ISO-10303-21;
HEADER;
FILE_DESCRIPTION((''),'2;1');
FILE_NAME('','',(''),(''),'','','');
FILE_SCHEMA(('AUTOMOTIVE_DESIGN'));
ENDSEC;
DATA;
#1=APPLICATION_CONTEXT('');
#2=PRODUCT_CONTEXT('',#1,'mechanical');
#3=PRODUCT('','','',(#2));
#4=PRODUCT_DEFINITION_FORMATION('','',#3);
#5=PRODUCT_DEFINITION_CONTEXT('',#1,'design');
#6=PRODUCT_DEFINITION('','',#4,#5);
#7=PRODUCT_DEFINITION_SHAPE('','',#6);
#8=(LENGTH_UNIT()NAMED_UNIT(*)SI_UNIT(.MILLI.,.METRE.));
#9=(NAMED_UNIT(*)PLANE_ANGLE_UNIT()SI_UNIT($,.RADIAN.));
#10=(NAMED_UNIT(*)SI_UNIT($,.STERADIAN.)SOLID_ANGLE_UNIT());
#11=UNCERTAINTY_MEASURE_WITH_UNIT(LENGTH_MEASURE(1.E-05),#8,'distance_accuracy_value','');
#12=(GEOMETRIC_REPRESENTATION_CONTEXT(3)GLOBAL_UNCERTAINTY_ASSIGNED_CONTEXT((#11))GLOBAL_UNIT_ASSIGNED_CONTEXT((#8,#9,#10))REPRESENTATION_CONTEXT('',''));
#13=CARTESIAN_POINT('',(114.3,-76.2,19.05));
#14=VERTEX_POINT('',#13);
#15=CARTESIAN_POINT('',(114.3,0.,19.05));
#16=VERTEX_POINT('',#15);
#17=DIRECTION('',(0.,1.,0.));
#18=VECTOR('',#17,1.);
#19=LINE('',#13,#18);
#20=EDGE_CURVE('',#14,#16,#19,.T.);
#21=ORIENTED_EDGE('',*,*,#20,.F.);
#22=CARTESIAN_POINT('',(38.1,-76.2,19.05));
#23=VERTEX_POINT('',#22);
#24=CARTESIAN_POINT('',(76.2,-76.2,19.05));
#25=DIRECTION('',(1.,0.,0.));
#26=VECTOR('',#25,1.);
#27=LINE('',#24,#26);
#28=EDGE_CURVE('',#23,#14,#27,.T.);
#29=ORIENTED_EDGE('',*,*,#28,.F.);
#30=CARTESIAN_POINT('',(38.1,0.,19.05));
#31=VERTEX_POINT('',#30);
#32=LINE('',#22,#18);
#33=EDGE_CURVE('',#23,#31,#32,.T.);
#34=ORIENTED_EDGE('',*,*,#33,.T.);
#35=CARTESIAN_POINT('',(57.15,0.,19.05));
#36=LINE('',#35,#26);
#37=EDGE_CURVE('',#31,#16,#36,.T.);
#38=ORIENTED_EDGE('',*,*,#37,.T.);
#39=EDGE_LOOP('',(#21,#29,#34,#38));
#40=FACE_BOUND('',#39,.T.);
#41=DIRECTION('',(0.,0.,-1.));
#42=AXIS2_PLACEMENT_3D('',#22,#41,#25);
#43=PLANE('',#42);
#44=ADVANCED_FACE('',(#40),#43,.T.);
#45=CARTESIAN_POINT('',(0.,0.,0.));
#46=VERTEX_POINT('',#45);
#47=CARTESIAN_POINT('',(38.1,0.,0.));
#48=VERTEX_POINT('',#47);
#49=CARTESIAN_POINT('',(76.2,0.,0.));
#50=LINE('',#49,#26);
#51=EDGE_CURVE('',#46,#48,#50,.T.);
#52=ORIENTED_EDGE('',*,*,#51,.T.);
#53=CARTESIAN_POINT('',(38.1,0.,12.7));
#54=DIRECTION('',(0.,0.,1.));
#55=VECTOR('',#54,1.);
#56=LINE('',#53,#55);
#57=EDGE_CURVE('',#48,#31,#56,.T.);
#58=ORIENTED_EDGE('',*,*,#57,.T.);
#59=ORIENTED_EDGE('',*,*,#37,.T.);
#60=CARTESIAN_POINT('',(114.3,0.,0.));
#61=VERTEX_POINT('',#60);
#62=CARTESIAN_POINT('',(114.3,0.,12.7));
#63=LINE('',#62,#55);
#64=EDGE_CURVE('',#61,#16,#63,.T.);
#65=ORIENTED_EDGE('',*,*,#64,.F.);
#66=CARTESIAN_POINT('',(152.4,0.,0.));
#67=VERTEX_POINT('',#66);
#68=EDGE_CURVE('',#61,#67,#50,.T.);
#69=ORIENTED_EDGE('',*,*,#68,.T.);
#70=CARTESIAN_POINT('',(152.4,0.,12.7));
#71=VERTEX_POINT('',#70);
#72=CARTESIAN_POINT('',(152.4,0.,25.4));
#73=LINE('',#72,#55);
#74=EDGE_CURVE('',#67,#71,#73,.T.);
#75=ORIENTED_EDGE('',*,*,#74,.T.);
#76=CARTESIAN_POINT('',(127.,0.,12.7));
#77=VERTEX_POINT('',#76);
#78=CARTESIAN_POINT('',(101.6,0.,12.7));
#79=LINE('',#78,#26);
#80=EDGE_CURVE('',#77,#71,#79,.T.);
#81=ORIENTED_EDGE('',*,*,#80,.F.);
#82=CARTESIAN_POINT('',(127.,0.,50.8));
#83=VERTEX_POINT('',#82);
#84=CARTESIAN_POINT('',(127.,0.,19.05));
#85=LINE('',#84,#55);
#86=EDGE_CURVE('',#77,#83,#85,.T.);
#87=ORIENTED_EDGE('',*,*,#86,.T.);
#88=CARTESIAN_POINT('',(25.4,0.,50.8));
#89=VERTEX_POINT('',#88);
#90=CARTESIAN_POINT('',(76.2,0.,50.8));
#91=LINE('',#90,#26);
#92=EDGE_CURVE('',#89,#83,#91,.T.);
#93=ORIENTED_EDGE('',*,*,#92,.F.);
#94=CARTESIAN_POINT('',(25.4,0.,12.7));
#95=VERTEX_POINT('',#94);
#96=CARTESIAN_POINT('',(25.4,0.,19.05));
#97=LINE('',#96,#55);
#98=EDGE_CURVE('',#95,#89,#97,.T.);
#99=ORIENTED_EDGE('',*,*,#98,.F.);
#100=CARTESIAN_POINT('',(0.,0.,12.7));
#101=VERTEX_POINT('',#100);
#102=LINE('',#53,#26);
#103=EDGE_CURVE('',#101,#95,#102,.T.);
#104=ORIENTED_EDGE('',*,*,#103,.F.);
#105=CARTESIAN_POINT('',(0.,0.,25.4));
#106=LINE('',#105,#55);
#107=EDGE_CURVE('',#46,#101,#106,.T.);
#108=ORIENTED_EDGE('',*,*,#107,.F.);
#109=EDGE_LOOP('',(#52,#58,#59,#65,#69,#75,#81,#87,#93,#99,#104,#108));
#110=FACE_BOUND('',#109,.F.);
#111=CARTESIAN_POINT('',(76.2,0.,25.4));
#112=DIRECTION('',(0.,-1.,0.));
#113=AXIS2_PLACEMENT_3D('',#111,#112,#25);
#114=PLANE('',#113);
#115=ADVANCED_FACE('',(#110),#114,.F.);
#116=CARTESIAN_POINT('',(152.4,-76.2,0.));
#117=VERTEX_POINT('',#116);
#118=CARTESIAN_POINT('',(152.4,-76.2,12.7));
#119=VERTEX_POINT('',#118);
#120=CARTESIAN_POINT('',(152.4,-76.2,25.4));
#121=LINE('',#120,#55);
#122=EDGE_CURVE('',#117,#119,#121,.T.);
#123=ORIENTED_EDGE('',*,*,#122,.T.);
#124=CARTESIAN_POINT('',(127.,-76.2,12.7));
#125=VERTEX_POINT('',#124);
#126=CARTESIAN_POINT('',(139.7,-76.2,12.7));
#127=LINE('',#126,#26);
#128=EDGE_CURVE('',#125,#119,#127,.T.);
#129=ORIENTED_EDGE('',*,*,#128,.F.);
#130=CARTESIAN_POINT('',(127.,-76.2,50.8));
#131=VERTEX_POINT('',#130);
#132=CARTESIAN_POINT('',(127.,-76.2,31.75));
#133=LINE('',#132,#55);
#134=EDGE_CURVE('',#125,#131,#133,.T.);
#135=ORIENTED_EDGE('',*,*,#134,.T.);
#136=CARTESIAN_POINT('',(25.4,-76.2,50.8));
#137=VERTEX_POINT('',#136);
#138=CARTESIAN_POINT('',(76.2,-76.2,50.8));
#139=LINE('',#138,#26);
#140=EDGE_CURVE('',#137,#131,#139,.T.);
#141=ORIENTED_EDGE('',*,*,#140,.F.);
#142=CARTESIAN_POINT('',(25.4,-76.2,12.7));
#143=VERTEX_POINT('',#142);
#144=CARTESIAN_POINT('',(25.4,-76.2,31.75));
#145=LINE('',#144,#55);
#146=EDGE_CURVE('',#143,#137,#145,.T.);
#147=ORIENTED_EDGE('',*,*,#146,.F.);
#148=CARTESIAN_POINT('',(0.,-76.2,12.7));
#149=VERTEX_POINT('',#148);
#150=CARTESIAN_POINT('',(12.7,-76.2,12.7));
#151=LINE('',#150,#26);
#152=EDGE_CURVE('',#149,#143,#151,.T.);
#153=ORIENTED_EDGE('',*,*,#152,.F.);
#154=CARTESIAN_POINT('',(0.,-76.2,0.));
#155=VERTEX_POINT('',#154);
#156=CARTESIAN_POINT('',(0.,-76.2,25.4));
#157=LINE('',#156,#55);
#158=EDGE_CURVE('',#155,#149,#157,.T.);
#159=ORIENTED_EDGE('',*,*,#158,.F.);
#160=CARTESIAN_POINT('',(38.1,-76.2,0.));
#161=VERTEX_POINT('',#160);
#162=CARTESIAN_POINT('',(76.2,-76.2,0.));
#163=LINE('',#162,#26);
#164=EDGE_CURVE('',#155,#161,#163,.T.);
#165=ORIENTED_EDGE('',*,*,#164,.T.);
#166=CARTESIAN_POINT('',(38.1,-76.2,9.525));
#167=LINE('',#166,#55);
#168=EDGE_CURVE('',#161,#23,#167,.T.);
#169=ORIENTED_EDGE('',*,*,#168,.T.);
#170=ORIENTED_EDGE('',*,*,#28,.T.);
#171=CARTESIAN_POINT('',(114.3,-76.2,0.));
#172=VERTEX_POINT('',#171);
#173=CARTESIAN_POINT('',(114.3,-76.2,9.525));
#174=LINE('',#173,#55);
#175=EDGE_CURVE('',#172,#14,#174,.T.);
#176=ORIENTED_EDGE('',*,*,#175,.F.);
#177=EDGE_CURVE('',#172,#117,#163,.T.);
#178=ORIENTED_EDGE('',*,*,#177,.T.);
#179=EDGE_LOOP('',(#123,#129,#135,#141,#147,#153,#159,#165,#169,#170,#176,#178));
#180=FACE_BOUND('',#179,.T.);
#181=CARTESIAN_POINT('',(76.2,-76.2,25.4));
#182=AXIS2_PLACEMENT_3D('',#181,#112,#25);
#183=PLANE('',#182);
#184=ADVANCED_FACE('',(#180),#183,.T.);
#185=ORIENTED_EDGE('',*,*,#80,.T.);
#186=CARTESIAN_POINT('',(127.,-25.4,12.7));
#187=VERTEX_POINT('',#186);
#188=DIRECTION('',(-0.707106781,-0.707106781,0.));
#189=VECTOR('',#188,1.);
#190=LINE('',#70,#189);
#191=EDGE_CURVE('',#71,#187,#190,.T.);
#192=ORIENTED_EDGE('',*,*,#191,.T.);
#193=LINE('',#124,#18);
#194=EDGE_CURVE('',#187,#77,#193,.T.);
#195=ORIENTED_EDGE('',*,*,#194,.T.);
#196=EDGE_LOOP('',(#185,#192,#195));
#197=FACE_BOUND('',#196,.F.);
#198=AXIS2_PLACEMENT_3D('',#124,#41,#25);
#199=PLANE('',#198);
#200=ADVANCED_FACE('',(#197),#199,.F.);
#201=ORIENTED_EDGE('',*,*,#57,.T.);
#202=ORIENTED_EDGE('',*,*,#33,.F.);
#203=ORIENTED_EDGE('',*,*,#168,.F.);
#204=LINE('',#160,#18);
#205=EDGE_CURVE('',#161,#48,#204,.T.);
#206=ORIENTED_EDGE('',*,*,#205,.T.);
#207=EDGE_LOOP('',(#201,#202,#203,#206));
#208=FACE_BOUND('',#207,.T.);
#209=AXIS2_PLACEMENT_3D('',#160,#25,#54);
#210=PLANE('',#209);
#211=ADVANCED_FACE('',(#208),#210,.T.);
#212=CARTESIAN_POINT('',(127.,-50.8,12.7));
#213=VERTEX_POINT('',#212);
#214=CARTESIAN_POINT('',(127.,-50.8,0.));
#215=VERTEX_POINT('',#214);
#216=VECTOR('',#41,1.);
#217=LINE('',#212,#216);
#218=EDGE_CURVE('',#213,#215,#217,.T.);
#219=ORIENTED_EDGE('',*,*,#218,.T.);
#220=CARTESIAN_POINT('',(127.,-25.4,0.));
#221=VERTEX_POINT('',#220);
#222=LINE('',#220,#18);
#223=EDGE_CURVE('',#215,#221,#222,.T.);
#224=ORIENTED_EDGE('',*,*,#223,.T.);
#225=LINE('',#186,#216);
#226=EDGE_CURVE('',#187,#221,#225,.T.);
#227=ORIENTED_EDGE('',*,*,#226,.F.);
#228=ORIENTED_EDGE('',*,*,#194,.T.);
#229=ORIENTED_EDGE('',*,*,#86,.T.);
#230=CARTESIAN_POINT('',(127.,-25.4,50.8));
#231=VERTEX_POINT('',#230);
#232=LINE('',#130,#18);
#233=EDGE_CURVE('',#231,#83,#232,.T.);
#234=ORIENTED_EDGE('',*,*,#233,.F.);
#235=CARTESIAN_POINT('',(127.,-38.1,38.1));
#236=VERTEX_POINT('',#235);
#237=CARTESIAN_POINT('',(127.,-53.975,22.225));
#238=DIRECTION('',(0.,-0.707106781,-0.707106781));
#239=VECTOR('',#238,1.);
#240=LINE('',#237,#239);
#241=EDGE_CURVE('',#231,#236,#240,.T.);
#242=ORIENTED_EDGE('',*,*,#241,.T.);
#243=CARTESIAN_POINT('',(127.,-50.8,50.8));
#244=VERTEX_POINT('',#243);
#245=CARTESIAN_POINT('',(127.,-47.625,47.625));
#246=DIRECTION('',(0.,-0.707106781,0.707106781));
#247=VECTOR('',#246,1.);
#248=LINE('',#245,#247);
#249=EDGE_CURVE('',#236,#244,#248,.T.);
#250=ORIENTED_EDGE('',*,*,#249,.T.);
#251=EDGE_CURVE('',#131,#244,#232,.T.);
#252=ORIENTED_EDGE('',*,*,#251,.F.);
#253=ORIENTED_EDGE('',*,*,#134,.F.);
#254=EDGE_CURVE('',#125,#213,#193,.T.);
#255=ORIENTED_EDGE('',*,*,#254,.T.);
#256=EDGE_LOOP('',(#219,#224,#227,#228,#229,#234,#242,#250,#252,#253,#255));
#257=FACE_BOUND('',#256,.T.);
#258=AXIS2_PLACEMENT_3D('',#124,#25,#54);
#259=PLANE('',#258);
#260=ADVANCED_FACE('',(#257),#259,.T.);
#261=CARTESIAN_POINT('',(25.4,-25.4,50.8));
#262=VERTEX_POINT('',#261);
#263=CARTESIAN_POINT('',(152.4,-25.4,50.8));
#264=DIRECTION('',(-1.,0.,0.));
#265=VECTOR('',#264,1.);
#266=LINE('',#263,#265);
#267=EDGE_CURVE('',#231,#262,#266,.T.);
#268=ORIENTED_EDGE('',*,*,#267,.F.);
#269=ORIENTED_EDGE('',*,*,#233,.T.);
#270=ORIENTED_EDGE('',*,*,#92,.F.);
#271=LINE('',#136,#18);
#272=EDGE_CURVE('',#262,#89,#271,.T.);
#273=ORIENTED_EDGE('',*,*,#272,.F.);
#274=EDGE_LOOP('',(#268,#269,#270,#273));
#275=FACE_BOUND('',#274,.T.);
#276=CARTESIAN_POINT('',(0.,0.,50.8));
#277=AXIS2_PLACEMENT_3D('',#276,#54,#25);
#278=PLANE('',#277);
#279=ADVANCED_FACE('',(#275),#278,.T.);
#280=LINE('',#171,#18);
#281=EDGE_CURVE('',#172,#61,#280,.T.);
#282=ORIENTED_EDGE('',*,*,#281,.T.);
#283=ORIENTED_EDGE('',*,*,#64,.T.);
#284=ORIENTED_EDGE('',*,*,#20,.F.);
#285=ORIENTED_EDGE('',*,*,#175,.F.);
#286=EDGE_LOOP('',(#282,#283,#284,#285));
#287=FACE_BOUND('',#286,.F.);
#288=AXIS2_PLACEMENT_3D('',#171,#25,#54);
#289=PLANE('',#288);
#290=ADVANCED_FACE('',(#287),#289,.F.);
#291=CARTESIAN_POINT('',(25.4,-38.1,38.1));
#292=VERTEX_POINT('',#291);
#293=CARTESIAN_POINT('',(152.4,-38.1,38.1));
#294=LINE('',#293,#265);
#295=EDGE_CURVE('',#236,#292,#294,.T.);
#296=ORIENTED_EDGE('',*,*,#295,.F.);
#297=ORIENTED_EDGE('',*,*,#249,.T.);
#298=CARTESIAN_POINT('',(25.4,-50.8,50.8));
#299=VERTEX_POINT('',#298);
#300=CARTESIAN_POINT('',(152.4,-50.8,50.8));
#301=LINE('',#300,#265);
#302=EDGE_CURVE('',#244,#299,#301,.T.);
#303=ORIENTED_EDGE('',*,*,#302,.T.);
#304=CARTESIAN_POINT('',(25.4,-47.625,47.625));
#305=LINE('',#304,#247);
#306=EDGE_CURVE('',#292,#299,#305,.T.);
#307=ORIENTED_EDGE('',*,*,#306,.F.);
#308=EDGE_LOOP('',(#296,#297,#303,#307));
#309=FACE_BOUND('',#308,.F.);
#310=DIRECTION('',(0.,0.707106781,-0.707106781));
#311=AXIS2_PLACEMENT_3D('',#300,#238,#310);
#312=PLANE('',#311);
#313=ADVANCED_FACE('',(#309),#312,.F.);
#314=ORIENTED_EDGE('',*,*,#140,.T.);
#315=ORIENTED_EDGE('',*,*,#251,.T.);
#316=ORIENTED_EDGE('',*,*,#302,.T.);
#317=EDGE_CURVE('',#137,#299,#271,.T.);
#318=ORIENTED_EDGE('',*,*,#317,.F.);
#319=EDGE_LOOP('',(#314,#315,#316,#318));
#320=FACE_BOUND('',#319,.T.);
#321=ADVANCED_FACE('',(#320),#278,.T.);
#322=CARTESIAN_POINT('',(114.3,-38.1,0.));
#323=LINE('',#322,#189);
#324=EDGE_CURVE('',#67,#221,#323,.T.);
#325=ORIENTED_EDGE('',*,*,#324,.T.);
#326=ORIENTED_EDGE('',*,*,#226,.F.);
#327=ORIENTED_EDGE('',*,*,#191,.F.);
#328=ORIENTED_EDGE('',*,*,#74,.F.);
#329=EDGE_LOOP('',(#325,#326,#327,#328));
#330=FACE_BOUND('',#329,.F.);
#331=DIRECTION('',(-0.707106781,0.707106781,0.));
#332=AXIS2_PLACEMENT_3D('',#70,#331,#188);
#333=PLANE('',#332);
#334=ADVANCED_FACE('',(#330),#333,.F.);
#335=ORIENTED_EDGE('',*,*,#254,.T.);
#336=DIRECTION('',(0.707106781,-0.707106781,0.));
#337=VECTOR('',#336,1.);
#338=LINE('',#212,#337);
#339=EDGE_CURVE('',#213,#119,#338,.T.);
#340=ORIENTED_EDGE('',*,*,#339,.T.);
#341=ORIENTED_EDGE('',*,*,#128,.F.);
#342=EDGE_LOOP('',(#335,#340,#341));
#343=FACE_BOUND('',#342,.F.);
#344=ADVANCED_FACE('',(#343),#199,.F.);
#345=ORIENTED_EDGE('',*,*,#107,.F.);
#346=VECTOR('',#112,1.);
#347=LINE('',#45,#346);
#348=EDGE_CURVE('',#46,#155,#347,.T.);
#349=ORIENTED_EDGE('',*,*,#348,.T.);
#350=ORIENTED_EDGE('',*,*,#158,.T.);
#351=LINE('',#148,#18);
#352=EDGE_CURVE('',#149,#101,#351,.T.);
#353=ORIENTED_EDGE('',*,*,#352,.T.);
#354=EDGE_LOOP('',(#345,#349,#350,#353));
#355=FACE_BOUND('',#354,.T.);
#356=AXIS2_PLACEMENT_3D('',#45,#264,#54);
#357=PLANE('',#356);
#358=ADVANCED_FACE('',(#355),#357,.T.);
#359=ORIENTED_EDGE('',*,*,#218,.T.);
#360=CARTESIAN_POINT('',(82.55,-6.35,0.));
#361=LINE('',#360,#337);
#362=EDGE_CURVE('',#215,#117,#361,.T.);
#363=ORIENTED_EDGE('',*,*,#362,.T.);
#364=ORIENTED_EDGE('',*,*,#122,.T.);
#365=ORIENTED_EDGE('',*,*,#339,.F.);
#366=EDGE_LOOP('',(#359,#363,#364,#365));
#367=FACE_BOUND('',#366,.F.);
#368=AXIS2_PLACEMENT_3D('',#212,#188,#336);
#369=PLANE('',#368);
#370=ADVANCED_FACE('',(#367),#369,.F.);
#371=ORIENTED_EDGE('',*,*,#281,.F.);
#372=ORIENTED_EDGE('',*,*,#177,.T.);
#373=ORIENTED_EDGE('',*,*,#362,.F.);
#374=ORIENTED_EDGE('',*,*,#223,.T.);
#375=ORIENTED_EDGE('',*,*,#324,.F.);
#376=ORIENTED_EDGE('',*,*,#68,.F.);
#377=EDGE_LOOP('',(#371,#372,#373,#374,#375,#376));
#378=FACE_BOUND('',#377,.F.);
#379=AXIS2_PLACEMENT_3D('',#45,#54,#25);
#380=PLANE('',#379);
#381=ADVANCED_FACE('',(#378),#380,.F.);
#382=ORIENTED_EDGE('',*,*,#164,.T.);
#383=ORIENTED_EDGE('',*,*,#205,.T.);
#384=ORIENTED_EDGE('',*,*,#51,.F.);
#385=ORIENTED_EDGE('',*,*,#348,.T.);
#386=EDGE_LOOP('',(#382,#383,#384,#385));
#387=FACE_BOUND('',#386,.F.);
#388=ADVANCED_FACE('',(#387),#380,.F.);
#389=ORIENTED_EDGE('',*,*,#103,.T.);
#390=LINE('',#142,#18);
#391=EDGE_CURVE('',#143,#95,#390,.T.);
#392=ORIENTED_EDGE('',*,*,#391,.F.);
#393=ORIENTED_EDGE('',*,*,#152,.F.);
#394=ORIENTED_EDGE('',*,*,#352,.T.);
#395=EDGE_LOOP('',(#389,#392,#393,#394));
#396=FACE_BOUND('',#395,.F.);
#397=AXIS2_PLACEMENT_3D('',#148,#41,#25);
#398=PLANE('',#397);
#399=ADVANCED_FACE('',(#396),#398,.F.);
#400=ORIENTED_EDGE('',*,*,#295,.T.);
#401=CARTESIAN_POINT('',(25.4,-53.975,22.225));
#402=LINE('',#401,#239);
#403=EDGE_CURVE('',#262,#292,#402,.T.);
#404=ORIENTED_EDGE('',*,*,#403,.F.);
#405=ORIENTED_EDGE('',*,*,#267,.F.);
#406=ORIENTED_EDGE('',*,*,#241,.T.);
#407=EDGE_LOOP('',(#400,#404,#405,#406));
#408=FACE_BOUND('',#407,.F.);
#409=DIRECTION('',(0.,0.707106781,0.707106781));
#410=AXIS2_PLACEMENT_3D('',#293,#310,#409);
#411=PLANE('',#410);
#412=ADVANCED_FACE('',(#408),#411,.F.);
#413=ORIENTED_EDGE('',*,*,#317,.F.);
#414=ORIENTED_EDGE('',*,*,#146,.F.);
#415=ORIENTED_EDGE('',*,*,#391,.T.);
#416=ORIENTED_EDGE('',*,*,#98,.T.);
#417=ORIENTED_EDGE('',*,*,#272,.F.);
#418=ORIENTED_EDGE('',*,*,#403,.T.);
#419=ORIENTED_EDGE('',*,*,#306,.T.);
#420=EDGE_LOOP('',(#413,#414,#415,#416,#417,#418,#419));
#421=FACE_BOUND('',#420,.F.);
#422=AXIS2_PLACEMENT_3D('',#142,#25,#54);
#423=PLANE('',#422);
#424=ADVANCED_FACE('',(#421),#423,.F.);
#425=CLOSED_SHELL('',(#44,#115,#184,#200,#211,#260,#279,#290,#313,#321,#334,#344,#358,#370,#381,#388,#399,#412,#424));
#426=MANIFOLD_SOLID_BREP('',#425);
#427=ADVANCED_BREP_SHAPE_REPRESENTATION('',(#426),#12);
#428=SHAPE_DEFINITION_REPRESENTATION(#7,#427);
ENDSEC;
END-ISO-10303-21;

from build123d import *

# Parameters (mm, degrees)
F0_W      = 152.4
F0_H      = 50.8
F1_DEPTH  = 76.2
F3_DEPTH  = 203.2
F4_W      = 25.4
F4_H      = 38.1
F5_DEPTH  = 101.6
F6_W      = 25.4
F6_H      = 38.1
F7_DEPTH  = 101.6
F8_W      = 25.4
F8_H      = 25.4
F9_DEPTH  = 25.4
F10_W     = 76.2
F10_H     = 19.05
F11_DEPTH = 127


with BuildPart() as f1:
    # F0 (on Front) → F1 (new body)
    with BuildSketch(Plane.XZ):
        with Locations((76.2, 25.4)):
            Rectangle(F0_W, F0_H)
    extrude(amount=F1_DEPTH)

    # F2 (on face) → F3 (cut)
    with BuildSketch(Plane.YZ.offset(152.4)):
        Polygon((-38.1, 50.8), (-50.8, 50.8), (-38.1, 38.1), align=None)
        Polygon((-38.1, 50.8), (-38.1, 38.1), (-25.4, 50.8), align=None)
    extrude(amount=-F3_DEPTH, mode=Mode.SUBTRACT)

    # F4 (on face) → F5 (cut)
    with BuildSketch(Plane.XZ.offset(76.2)):
        with Locations((12.7, 31.75)):
            Rectangle(F4_W, F4_H)
    extrude(amount=-F5_DEPTH, mode=Mode.SUBTRACT)

    # F6 (on face) → F7 (cut)
    with BuildSketch(Plane.XZ.offset(76.2)):
        with Locations((139.7, 31.75)):
            Rectangle(F6_W, F6_H)
    extrude(amount=-F7_DEPTH, mode=Mode.SUBTRACT)

    # F8 (on face) → F9 (cut)
    with BuildSketch(Plane.XY.offset(12.7)):
        Polygon((152.4, -76.2), (152.4, -50.8), (127, -50.8), align=None)
        with Locations((139.7, -38.1)):
            Rectangle(F8_W, F8_H)
        Polygon((152.4, -25.4), (152.4, 0), (127, -25.4), align=None)
    extrude(amount=-F9_DEPTH, mode=Mode.SUBTRACT)

    # F10 (on face) → F11 (cut)
    with BuildSketch(Plane.XZ.offset(76.2)):
        with Locations((76.2, 9.525)):
            Rectangle(F10_W, F10_H)
    extrude(amount=-F11_DEPTH, mode=Mode.SUBTRACT)


solid = f1.part
